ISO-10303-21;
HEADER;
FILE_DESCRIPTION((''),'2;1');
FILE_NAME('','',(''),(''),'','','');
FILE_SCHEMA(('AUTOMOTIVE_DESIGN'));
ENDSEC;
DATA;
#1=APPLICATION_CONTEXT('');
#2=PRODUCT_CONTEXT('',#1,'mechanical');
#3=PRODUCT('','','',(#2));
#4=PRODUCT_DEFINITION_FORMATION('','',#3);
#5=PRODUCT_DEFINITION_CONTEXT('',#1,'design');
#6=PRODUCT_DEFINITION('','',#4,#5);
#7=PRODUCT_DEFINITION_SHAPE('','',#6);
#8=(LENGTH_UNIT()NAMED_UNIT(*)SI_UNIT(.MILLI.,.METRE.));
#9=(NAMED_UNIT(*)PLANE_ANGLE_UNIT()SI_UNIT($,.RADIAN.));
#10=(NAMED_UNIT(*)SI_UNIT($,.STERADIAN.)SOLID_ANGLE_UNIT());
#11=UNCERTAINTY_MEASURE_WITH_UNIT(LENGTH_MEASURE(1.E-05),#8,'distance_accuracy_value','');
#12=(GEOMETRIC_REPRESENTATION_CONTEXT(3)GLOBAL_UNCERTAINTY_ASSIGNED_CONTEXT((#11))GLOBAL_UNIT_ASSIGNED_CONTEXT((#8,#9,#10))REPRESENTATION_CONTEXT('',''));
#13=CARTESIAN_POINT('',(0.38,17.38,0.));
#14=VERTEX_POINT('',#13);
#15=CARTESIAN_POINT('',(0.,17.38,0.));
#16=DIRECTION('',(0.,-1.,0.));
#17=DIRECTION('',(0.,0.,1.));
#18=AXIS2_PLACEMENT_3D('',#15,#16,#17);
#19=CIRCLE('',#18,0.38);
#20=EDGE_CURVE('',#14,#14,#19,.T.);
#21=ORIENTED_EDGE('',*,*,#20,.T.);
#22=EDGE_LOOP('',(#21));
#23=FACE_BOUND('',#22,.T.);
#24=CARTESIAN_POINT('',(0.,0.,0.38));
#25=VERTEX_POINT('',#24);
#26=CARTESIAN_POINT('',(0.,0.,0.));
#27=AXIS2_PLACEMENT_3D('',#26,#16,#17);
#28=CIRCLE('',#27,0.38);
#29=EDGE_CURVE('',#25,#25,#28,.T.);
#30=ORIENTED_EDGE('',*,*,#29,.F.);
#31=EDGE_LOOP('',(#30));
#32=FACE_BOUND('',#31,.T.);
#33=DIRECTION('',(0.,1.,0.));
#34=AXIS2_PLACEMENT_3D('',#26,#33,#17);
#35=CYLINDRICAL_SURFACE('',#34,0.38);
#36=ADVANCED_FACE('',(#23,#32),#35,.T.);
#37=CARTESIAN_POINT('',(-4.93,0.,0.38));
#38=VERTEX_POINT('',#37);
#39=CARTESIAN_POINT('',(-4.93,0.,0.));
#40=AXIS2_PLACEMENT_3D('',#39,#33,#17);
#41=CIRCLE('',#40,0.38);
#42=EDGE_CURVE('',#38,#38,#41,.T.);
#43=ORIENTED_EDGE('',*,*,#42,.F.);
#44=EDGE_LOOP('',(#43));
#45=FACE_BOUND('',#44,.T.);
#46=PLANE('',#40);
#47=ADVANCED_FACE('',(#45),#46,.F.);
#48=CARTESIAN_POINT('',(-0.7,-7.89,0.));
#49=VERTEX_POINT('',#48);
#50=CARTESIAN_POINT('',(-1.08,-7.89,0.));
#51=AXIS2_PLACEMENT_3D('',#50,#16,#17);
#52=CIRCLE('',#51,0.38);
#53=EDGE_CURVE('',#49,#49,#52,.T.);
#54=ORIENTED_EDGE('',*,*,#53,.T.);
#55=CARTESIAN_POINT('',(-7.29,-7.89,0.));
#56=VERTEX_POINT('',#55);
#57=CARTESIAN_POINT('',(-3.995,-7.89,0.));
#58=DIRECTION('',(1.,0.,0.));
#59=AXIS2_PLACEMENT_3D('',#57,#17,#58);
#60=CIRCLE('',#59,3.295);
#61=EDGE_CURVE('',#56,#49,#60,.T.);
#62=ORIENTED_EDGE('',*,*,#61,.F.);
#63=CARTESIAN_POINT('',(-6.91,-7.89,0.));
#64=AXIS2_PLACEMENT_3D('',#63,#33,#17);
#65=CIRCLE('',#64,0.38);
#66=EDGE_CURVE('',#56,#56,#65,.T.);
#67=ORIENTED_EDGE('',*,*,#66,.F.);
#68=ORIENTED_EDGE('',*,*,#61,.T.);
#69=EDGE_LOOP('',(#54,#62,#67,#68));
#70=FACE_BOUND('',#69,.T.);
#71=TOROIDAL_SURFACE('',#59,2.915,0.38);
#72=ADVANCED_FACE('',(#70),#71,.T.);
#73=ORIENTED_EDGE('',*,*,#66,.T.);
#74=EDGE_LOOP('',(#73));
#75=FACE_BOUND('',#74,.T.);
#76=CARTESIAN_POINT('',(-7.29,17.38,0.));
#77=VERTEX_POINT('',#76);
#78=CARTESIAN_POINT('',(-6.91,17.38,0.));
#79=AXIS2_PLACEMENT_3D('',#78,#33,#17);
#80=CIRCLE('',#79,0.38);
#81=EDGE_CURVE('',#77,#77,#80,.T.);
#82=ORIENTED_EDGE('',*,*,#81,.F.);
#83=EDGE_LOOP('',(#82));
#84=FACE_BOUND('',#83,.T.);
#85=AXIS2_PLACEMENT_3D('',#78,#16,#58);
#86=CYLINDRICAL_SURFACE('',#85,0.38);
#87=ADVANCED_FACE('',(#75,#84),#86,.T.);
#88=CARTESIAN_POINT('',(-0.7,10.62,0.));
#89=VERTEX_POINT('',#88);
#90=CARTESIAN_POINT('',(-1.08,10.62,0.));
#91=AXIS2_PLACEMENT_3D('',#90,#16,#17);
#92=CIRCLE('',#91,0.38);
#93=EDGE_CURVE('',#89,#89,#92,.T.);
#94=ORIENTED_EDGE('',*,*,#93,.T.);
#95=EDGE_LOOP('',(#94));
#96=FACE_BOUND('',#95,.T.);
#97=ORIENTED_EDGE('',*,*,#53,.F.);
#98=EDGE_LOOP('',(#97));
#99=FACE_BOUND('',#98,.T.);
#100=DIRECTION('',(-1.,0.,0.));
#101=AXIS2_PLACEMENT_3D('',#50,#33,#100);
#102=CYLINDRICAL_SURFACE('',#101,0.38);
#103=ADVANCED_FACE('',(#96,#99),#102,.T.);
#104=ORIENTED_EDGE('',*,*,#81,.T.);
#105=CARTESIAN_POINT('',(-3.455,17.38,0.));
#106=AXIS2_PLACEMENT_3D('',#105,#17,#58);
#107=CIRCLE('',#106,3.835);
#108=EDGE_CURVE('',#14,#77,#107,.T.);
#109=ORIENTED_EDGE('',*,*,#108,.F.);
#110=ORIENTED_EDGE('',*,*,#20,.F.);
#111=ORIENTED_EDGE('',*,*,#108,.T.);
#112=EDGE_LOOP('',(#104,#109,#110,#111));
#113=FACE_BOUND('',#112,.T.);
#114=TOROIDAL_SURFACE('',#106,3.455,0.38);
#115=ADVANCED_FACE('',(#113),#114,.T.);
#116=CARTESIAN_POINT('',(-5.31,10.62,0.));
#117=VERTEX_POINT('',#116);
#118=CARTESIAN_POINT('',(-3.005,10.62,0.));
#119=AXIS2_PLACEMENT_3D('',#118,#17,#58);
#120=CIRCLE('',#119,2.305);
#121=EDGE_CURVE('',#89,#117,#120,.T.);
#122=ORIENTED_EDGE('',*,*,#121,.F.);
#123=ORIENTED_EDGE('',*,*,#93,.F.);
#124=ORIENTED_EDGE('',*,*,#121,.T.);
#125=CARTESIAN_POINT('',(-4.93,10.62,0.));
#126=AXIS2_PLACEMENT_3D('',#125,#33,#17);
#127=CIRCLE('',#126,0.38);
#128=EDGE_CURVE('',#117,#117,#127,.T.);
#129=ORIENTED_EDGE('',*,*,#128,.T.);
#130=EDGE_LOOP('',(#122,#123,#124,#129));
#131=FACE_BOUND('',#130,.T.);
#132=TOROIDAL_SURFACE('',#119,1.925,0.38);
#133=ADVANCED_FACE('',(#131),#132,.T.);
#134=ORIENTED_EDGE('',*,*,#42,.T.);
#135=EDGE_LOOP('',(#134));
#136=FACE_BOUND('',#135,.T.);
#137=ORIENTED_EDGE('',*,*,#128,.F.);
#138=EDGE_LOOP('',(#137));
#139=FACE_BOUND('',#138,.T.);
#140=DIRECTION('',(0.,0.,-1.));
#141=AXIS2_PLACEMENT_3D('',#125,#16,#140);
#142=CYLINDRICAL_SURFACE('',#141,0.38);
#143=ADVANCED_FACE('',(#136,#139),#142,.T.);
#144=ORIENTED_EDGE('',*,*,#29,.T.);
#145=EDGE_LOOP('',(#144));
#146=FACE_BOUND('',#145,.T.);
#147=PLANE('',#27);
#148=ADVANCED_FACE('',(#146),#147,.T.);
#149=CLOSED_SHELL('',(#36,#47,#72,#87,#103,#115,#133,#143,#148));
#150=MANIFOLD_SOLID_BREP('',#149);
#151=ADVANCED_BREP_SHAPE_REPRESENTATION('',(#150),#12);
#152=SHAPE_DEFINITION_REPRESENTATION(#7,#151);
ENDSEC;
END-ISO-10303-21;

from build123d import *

# Parameters (mm, degrees)
SWEEP1_PROFILE_R = 0.38


with BuildPart() as part:
    # Sweep1: sweep along a path in Sketch1
    with BuildLine(Plane.XY) as sweep1_path:
        Line((0, 0), (0, 17.38))
        ThreePointArc((0, 17.38), (-3.455, 20.835), (-6.91, 17.38))
        Line((-6.91, 17.38), (-6.91, -7.89))
        ThreePointArc((-6.91, -7.89), (-3.995, -10.805), (-1.08, -7.89))
        Line((-1.08, -7.89), (-1.08, 10.62))
        ThreePointArc((-1.08, 10.62), (-3.005, 12.545), (-4.93, 10.62))
        Line((-4.93, 10.62), (-4.93, 0))
    # Sweep1 profile (on start of the path) → Sweep1 (sweep)
    with BuildSketch(Plane.ZX):
        Circle(SWEEP1_PROFILE_R)
    sweep(path=sweep1_path.line)


solid = part.part
